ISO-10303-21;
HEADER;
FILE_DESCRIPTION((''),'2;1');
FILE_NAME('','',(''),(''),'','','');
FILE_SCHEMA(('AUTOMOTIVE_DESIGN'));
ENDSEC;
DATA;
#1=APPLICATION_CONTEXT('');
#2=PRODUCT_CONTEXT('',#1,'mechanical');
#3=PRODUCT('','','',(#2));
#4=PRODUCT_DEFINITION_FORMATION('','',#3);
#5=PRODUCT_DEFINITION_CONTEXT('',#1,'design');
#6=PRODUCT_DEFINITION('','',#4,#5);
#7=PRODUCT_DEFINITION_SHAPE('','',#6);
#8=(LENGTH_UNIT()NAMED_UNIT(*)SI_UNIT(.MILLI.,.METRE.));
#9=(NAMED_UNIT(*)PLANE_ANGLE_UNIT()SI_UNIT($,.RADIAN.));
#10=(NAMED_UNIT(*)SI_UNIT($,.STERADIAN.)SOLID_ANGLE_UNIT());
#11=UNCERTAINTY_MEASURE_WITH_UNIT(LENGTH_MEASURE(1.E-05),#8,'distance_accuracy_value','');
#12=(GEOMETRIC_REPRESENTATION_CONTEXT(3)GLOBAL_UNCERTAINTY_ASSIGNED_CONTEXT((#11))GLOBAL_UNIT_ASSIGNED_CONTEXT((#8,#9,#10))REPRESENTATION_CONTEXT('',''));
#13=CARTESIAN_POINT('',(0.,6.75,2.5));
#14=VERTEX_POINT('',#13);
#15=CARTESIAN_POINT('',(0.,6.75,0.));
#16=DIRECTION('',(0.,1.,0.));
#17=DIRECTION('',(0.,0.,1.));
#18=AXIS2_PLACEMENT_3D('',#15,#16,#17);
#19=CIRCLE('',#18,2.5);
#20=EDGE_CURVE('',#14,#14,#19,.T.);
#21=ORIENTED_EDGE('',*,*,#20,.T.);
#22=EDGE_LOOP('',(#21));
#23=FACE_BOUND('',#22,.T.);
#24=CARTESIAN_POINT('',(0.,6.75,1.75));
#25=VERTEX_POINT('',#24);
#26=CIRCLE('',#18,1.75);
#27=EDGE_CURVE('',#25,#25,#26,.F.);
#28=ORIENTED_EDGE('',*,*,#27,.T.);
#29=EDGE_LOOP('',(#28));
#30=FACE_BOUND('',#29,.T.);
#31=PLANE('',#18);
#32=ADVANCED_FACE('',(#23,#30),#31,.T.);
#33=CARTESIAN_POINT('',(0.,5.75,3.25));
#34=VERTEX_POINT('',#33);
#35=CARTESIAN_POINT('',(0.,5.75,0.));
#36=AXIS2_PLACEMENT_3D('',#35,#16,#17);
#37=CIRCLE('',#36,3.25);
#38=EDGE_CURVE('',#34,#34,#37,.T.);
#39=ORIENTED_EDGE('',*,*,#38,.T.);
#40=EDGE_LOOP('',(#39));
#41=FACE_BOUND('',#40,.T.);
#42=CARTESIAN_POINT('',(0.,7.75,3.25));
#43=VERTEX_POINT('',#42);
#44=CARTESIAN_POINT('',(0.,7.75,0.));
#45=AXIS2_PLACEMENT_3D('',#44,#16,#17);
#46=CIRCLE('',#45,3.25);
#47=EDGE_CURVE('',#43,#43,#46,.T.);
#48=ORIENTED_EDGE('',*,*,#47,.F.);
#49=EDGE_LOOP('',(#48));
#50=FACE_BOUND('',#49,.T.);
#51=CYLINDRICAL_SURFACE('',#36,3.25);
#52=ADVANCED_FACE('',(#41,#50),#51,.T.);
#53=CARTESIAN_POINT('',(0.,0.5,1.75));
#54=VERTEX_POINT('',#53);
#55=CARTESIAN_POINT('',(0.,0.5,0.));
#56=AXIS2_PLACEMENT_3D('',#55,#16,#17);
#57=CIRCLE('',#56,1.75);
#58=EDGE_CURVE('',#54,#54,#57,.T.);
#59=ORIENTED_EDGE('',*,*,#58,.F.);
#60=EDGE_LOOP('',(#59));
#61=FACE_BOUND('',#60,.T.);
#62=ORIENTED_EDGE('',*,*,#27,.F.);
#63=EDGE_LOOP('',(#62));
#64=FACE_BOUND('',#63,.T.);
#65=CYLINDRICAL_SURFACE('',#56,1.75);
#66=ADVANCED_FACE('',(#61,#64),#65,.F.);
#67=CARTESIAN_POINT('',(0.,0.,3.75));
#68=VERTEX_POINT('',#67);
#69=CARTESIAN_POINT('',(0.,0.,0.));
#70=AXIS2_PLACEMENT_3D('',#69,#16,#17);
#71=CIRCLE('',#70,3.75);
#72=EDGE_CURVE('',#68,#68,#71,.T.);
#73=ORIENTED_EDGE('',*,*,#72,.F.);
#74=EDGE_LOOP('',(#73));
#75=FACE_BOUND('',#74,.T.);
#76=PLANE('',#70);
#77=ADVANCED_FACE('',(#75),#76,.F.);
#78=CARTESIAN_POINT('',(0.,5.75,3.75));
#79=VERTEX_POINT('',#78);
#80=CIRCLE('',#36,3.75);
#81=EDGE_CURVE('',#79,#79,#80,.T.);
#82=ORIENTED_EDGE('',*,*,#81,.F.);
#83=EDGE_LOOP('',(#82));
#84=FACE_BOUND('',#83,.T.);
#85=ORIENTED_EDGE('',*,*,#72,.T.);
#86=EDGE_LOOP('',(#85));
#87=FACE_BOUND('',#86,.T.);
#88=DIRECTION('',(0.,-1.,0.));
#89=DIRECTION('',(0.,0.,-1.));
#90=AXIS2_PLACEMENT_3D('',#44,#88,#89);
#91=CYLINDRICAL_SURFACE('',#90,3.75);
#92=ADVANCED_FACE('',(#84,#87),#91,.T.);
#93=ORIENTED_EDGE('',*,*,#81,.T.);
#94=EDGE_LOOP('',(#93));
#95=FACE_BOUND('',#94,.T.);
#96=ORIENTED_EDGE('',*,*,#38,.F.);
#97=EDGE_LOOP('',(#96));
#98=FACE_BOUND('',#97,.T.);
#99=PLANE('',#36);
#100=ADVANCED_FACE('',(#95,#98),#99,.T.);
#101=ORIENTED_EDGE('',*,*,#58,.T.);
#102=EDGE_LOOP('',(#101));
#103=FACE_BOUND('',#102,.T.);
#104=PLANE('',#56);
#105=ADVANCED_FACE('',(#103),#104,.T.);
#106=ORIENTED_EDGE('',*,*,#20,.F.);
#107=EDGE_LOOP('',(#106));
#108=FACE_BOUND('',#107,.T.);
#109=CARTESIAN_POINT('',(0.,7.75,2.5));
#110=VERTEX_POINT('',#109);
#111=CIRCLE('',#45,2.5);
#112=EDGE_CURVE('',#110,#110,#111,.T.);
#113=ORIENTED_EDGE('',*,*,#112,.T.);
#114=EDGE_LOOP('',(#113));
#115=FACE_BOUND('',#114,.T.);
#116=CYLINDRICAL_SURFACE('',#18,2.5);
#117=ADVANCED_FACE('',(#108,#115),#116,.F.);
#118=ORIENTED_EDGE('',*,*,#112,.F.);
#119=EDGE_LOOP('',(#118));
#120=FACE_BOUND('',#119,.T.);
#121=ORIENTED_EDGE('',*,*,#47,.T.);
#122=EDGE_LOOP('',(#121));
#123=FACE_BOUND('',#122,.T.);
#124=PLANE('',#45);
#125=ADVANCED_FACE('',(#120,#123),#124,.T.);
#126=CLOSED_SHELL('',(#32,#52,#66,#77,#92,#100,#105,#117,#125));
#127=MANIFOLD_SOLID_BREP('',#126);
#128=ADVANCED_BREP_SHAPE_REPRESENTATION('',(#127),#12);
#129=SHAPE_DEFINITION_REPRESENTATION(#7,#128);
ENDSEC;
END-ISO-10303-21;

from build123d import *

# Parameters (mm, degrees)
SKETCH1_R           = 3.75
BOSS_EXTRUDE1_DEPTH = 7.75
SKETCH3_R           = 3.75
SKETCH3_R_2         = 3.25
CUT_EXTRUDE1_DEPTH  = 2
SKETCH4_R           = 1.75
CUT_EXTRUDE2_DEPTH  = 7.25
SKETCH5_R           = 2.5
CUT_EXTRUDE3_DEPTH  = 1


with BuildPart() as part:
    # Sketch1 → Boss-Extrude1 (new body)
    with BuildSketch(Plane(origin=(0, 0, 0), x_dir=(1, 0, 0), z_dir=(0, 1, 0))):
        Circle(SKETCH1_R)
    extrude(amount=BOSS_EXTRUDE1_DEPTH)

    # Sketch3 → Cut-Extrude1 (cut)
    with BuildSketch(Plane(origin=(0, 7.75, 0), x_dir=(1, 0, 0), z_dir=(0, 1, 0))):
        Circle(SKETCH3_R)
        Circle(SKETCH3_R_2, mode=Mode.SUBTRACT)
    extrude(amount=-CUT_EXTRUDE1_DEPTH, mode=Mode.SUBTRACT)

    # Sketch4 → Cut-Extrude2 (cut)
    with BuildSketch(Plane(origin=(0, 7.75, 0), x_dir=(1, 0, 0), z_dir=(0, 1, 0))):
        Circle(SKETCH4_R)
    extrude(amount=-CUT_EXTRUDE2_DEPTH, mode=Mode.SUBTRACT)

    # Sketch5 → Cut-Extrude3 (cut)
    with BuildSketch(Plane(origin=(0, 7.75, 0), x_dir=(1, 0, 0), z_dir=(0, 1, 0))):
        Circle(SKETCH5_R)
    extrude(amount=-CUT_EXTRUDE3_DEPTH, mode=Mode.SUBTRACT)


solid = part.part
